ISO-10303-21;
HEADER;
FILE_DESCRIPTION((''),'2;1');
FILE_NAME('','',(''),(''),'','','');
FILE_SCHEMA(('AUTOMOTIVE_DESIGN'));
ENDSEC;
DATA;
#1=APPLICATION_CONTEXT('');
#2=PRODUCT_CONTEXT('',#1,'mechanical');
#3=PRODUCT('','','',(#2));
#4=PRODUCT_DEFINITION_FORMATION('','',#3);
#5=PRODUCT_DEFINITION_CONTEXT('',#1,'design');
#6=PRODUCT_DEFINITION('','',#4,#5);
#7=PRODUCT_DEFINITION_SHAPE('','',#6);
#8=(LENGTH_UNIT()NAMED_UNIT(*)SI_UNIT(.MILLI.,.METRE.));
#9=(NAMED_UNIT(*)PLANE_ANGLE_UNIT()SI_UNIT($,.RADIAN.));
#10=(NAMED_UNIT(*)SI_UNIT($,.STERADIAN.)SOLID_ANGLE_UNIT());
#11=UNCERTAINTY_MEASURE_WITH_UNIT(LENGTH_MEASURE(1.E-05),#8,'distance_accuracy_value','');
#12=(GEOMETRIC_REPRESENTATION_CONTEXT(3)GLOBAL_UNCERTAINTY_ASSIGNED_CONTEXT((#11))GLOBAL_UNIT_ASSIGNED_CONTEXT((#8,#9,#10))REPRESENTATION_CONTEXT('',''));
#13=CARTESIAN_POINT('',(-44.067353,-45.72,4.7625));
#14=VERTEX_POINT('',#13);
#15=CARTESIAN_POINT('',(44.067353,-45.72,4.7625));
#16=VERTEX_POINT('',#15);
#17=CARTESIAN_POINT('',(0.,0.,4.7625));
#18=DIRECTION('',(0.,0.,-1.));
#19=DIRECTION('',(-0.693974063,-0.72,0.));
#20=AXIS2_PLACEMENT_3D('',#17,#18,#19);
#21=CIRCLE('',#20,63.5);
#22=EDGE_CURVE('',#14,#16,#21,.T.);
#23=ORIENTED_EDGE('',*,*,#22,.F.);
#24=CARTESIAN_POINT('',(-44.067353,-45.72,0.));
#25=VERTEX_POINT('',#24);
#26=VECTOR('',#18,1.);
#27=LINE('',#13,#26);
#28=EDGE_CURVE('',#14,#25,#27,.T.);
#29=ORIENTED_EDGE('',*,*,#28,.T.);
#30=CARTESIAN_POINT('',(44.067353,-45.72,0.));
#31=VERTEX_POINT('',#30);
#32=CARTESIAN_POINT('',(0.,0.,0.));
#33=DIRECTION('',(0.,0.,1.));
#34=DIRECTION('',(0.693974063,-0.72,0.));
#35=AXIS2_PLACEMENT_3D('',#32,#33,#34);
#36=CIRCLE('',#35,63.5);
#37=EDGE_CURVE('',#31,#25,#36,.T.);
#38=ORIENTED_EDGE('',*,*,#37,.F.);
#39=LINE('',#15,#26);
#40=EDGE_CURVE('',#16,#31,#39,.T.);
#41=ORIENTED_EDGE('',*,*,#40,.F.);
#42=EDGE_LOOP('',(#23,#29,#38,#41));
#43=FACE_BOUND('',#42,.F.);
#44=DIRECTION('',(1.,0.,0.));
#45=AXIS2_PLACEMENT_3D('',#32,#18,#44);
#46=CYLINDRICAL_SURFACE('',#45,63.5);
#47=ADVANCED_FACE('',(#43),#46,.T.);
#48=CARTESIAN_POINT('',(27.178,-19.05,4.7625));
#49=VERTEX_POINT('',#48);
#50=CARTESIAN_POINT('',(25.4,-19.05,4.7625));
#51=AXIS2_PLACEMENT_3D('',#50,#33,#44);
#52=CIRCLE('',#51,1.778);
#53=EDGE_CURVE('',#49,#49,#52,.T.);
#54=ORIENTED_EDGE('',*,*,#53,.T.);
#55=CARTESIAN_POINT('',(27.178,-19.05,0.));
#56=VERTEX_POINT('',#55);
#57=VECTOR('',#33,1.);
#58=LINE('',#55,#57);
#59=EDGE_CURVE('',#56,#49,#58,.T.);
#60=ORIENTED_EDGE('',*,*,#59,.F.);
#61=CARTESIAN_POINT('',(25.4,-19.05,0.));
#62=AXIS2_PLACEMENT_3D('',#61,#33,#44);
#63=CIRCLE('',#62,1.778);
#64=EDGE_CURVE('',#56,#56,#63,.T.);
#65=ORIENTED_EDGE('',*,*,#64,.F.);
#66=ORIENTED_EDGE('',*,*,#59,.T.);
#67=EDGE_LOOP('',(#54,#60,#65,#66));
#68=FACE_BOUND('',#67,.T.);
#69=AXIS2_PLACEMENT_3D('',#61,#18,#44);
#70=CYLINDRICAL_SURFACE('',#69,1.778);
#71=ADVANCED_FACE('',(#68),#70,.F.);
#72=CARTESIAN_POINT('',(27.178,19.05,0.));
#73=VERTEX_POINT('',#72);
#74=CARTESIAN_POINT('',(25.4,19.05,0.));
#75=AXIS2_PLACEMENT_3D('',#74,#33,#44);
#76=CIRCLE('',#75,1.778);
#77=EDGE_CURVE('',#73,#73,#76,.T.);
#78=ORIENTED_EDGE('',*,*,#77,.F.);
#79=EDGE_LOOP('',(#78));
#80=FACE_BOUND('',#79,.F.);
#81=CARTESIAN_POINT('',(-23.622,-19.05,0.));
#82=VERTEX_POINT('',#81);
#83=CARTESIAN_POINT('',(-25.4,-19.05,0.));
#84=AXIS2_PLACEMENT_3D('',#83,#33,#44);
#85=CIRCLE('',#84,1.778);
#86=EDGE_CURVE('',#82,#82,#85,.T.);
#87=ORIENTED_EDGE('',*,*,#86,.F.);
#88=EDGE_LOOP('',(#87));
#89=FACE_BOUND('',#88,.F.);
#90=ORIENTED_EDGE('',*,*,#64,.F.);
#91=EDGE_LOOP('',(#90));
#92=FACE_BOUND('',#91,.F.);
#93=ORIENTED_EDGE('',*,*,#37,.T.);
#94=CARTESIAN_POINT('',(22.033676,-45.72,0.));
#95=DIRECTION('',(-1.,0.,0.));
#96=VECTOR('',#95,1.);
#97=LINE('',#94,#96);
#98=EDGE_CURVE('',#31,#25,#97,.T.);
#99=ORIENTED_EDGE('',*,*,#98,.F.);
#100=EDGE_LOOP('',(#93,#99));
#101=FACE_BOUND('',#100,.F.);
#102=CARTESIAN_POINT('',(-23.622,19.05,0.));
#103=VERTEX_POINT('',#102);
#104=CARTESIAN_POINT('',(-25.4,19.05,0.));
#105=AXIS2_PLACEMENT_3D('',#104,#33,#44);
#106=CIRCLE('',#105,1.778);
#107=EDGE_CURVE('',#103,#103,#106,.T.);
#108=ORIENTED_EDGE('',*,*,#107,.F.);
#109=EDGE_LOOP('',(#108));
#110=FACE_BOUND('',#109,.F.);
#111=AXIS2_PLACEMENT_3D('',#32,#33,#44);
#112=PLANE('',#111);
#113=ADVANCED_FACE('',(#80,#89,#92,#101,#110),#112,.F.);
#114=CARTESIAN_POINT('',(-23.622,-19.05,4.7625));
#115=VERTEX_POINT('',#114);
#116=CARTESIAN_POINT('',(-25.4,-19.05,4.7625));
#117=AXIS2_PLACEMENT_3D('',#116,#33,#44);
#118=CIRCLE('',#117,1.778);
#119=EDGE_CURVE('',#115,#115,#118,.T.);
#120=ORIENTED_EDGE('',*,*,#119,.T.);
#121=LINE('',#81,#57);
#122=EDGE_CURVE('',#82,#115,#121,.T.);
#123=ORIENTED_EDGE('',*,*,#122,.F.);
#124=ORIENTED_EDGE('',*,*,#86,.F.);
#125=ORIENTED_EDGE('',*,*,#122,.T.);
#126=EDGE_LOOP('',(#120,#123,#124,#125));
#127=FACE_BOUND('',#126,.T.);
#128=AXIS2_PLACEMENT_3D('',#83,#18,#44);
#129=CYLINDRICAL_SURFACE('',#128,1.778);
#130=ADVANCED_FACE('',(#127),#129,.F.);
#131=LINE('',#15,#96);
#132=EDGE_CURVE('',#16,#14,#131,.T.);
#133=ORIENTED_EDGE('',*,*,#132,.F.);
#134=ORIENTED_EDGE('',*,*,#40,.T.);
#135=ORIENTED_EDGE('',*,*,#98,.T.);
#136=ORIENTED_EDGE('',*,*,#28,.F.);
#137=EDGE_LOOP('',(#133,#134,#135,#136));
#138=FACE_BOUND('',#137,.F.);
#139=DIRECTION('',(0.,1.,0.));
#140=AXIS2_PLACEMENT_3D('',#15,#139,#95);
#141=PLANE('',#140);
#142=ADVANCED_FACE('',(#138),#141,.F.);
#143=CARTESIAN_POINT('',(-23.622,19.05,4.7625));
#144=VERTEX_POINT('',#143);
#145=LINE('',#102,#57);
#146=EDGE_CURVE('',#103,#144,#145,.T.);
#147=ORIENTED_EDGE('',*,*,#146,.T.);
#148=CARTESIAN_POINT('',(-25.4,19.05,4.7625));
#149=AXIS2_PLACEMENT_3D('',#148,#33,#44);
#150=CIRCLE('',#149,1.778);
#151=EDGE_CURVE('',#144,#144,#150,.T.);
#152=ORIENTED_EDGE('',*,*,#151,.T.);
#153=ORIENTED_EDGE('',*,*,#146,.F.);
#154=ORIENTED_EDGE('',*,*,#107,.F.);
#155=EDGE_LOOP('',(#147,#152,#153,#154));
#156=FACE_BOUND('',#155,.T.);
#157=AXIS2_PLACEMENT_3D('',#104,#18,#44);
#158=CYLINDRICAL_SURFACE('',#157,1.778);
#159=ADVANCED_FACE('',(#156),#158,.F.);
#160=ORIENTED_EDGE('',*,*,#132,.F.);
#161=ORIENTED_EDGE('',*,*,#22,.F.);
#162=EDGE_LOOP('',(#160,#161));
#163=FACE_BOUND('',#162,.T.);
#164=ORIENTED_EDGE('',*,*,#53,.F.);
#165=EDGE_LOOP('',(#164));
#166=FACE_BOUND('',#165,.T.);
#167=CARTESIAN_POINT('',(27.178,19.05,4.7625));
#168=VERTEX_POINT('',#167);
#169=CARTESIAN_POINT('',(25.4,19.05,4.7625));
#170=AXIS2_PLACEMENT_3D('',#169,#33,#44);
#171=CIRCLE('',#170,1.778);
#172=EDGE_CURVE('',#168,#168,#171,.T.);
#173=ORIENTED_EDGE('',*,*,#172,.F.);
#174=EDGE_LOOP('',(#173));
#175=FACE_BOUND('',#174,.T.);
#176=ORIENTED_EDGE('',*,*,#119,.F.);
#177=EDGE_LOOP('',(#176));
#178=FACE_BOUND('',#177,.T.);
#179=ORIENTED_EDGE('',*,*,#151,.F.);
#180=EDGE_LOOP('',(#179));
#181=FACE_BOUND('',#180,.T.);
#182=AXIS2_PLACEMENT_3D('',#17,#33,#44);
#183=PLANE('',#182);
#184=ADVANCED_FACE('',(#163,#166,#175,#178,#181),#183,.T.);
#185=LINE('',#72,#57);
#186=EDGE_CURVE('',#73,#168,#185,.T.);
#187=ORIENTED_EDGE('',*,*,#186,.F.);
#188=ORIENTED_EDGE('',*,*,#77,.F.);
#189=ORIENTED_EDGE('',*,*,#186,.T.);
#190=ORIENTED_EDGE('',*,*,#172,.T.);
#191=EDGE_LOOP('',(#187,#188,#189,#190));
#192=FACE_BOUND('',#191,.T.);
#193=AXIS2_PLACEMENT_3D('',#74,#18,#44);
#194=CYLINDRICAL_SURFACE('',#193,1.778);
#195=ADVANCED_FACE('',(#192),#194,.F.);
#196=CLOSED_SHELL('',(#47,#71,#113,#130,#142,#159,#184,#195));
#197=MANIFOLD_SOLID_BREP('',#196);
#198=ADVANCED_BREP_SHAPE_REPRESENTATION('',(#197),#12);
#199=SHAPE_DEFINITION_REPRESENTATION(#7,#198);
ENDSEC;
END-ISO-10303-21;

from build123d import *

# Parameters (mm, degrees)
F0_R     = 63.5
F0_R_2   = 1.778
F1_DEPTH = 4.7625
F3_DEPTH = 25.4


with BuildPart() as f1:
    # F0 (on Top) → F1 (new body)
    with BuildSketch(Plane.XY):
        Circle(F0_R)
        with Locations((-25.4, -19.05)):
            Circle(F0_R_2, mode=Mode.SUBTRACT)
        with Locations((25.4, -19.05)):
            Circle(F0_R_2, mode=Mode.SUBTRACT)
        with Locations((-25.4, 19.05)):
            Circle(F0_R_2, mode=Mode.SUBTRACT)
        with Locations((25.4, 19.05)):
            Circle(F0_R_2, mode=Mode.SUBTRACT)
    extrude(amount=F1_DEPTH)

    # F2 (on face) → F3 (cut)
    with BuildSketch(Plane.XY.offset(4.7625)):
        with BuildLine():
            Line((44.067353, -45.72), (-44.067353, -45.72))
            ThreePointArc((-44.067353, -45.72), (0, -63.5), (44.067353, -45.72))
        make_face()
    extrude(amount=-F3_DEPTH, mode=Mode.SUBTRACT)


solid = f1.part
